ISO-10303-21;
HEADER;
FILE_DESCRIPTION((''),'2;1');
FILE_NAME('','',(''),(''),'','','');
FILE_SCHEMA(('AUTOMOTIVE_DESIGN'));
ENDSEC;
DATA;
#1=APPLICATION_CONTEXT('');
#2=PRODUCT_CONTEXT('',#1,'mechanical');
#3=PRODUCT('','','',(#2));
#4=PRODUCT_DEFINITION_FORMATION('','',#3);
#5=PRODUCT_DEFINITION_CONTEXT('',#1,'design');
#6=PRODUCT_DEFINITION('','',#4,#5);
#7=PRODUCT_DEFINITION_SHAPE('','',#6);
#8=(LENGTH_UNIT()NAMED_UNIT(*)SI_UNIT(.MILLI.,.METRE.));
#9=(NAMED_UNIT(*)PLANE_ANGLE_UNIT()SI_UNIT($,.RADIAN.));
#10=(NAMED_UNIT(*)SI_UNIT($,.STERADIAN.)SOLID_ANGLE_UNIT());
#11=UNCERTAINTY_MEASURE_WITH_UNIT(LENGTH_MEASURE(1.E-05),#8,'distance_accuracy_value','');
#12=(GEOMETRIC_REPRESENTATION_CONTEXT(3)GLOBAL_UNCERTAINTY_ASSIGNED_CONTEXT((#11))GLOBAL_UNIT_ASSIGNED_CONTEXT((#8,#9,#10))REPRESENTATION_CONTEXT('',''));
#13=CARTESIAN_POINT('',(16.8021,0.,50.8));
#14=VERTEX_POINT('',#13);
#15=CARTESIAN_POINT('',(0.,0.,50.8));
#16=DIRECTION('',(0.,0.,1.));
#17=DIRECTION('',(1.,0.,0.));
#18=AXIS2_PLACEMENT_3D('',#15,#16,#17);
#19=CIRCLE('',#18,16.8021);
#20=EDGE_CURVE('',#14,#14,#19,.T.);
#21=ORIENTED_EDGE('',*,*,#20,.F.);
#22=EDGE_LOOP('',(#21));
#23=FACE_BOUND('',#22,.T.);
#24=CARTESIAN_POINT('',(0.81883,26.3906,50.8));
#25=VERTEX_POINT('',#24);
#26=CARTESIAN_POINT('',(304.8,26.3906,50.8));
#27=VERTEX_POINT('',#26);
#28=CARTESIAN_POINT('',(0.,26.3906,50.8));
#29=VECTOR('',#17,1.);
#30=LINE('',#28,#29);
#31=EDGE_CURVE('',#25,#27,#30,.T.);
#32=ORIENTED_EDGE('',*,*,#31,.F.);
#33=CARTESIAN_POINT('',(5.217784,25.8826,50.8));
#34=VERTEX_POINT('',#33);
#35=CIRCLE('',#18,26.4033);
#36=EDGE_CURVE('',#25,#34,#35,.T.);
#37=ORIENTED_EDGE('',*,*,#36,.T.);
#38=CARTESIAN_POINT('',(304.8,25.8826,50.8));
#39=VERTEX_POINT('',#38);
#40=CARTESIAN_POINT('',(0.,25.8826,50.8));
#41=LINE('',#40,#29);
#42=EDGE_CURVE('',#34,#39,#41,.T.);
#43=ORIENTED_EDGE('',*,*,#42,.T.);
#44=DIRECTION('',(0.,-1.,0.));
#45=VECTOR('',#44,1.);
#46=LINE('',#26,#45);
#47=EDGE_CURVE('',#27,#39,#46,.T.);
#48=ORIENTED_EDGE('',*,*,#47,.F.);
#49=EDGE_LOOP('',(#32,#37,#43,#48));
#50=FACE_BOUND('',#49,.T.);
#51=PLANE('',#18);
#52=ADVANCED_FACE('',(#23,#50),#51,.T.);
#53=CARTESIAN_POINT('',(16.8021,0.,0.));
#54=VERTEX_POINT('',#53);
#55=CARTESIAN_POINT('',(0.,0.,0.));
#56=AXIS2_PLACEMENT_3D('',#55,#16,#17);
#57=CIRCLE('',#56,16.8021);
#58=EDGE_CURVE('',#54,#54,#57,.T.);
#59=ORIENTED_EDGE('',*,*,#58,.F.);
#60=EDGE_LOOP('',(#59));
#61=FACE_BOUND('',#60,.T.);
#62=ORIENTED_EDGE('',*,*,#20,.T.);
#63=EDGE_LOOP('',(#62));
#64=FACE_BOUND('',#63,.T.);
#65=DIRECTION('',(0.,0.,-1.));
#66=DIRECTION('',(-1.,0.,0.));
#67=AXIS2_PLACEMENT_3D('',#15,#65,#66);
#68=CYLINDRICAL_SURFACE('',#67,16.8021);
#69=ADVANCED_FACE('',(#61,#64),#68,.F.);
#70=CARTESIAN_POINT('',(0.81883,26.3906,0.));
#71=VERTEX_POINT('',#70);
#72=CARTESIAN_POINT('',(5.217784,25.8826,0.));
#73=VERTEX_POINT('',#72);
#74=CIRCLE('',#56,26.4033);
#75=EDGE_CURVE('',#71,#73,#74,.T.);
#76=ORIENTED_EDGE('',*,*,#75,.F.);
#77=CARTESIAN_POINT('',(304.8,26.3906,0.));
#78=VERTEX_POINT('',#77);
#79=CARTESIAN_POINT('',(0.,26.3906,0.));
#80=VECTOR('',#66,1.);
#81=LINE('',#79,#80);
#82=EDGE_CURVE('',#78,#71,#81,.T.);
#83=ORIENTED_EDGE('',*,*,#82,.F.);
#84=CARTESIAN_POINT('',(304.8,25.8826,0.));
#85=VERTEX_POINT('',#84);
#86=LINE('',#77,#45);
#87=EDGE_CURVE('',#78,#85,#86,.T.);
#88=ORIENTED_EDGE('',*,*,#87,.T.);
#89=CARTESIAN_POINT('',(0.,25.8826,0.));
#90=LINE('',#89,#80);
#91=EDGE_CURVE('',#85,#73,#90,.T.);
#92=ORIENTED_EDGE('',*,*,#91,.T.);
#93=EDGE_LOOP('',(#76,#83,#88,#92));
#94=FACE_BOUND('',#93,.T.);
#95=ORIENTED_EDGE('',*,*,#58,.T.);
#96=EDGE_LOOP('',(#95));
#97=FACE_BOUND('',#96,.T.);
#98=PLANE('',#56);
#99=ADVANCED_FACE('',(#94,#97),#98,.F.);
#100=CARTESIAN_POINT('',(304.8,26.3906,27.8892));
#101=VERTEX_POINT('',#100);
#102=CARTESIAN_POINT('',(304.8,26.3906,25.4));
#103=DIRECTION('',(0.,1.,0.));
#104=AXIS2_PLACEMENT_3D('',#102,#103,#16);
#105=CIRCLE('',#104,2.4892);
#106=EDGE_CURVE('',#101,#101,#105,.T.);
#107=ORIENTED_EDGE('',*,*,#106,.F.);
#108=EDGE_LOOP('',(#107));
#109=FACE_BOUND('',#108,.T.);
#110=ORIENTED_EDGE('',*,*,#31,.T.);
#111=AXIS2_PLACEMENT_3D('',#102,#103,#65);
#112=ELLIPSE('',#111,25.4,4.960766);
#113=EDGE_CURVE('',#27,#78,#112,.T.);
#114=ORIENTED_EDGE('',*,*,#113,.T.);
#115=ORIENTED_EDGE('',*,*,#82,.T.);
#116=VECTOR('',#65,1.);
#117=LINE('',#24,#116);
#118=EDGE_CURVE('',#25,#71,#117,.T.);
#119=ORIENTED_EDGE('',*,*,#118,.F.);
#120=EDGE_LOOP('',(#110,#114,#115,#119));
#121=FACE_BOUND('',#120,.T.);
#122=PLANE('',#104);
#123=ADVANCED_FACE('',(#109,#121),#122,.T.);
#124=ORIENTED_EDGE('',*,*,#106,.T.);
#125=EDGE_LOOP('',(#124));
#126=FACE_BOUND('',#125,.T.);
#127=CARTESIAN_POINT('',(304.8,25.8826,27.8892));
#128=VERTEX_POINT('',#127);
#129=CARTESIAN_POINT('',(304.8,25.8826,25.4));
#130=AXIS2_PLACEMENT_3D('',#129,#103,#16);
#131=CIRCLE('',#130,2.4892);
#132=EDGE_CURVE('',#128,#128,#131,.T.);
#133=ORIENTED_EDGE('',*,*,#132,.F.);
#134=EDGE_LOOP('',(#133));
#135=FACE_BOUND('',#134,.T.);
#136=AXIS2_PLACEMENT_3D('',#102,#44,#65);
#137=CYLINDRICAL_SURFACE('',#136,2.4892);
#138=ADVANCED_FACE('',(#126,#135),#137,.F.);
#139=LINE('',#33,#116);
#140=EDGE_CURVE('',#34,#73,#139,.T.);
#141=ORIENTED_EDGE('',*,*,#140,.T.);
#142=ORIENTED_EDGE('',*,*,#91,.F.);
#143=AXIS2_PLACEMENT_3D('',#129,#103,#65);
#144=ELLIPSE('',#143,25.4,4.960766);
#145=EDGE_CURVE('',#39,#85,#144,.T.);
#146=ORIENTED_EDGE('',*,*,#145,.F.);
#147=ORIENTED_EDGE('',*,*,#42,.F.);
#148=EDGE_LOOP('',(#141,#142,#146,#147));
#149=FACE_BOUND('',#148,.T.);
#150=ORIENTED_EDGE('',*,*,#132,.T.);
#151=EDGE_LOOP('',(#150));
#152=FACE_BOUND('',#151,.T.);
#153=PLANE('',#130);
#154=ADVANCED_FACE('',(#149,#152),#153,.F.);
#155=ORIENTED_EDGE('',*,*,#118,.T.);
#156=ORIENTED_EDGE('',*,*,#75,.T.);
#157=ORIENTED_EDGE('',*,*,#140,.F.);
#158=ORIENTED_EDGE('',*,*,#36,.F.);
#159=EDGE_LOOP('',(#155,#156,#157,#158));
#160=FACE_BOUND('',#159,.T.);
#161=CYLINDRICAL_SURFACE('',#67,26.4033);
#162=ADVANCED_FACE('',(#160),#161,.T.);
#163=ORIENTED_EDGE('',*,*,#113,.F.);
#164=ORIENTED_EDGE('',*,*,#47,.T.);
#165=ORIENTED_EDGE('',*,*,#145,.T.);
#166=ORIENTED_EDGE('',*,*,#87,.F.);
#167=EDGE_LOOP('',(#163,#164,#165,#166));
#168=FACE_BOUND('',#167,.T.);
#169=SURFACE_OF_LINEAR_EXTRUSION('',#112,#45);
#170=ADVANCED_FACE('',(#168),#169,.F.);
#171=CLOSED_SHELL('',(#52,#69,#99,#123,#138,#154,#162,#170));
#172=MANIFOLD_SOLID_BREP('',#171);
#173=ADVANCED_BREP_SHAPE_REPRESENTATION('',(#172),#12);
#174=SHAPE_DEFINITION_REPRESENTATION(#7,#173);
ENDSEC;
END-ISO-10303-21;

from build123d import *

# Parameters (mm, degrees)
SKETCH1_R           = 26.4033
SKETCH1_R_2         = 16.8021
BOSS_EXTRUDE1_DEPTH = 50.8
SKETCH2_R           = 2.4892
BOSS_EXTRUDE2_DEPTH = 0.508


with BuildPart() as part:
    # Sketch1 → Boss-Extrude1 (new body)
    with BuildSketch(Plane.XY):
        Circle(SKETCH1_R)
        Circle(SKETCH1_R_2, mode=Mode.SUBTRACT)
    extrude(amount=BOSS_EXTRUDE1_DEPTH)

    # Sketch2 → Boss-Extrude2 (add)
    with BuildSketch(Plane(origin=(0, 25.8826, 0), x_dir=(1, 0, 0), z_dir=(0, 1, 0))):
        with BuildLine():
            Line((0, -50.8), (0, 0))
            Line((0, 0), (304.8, 0))
            add(Edge.make_bspline(
                [(304.8, -50.8), (309.760765967, -50.8), (309.760765967, -25.4), (309.760765967, 0), (304.8, 0)],
                knots=[3.141592654, 3.141592654, 3.141592654, 4.71238898, 4.71238898, 6.283185307, 6.283185307, 6.283185307], degree=2, weights=[1, 0.707106781, 1, 0.707106781, 1]))
            Line((304.8, -50.8), (0, -50.8))
        make_face()
        with Locations((304.8, -25.4)):
            Circle(SKETCH2_R, mode=Mode.SUBTRACT)
    extrude(amount=BOSS_EXTRUDE2_DEPTH)


solid = part.part
